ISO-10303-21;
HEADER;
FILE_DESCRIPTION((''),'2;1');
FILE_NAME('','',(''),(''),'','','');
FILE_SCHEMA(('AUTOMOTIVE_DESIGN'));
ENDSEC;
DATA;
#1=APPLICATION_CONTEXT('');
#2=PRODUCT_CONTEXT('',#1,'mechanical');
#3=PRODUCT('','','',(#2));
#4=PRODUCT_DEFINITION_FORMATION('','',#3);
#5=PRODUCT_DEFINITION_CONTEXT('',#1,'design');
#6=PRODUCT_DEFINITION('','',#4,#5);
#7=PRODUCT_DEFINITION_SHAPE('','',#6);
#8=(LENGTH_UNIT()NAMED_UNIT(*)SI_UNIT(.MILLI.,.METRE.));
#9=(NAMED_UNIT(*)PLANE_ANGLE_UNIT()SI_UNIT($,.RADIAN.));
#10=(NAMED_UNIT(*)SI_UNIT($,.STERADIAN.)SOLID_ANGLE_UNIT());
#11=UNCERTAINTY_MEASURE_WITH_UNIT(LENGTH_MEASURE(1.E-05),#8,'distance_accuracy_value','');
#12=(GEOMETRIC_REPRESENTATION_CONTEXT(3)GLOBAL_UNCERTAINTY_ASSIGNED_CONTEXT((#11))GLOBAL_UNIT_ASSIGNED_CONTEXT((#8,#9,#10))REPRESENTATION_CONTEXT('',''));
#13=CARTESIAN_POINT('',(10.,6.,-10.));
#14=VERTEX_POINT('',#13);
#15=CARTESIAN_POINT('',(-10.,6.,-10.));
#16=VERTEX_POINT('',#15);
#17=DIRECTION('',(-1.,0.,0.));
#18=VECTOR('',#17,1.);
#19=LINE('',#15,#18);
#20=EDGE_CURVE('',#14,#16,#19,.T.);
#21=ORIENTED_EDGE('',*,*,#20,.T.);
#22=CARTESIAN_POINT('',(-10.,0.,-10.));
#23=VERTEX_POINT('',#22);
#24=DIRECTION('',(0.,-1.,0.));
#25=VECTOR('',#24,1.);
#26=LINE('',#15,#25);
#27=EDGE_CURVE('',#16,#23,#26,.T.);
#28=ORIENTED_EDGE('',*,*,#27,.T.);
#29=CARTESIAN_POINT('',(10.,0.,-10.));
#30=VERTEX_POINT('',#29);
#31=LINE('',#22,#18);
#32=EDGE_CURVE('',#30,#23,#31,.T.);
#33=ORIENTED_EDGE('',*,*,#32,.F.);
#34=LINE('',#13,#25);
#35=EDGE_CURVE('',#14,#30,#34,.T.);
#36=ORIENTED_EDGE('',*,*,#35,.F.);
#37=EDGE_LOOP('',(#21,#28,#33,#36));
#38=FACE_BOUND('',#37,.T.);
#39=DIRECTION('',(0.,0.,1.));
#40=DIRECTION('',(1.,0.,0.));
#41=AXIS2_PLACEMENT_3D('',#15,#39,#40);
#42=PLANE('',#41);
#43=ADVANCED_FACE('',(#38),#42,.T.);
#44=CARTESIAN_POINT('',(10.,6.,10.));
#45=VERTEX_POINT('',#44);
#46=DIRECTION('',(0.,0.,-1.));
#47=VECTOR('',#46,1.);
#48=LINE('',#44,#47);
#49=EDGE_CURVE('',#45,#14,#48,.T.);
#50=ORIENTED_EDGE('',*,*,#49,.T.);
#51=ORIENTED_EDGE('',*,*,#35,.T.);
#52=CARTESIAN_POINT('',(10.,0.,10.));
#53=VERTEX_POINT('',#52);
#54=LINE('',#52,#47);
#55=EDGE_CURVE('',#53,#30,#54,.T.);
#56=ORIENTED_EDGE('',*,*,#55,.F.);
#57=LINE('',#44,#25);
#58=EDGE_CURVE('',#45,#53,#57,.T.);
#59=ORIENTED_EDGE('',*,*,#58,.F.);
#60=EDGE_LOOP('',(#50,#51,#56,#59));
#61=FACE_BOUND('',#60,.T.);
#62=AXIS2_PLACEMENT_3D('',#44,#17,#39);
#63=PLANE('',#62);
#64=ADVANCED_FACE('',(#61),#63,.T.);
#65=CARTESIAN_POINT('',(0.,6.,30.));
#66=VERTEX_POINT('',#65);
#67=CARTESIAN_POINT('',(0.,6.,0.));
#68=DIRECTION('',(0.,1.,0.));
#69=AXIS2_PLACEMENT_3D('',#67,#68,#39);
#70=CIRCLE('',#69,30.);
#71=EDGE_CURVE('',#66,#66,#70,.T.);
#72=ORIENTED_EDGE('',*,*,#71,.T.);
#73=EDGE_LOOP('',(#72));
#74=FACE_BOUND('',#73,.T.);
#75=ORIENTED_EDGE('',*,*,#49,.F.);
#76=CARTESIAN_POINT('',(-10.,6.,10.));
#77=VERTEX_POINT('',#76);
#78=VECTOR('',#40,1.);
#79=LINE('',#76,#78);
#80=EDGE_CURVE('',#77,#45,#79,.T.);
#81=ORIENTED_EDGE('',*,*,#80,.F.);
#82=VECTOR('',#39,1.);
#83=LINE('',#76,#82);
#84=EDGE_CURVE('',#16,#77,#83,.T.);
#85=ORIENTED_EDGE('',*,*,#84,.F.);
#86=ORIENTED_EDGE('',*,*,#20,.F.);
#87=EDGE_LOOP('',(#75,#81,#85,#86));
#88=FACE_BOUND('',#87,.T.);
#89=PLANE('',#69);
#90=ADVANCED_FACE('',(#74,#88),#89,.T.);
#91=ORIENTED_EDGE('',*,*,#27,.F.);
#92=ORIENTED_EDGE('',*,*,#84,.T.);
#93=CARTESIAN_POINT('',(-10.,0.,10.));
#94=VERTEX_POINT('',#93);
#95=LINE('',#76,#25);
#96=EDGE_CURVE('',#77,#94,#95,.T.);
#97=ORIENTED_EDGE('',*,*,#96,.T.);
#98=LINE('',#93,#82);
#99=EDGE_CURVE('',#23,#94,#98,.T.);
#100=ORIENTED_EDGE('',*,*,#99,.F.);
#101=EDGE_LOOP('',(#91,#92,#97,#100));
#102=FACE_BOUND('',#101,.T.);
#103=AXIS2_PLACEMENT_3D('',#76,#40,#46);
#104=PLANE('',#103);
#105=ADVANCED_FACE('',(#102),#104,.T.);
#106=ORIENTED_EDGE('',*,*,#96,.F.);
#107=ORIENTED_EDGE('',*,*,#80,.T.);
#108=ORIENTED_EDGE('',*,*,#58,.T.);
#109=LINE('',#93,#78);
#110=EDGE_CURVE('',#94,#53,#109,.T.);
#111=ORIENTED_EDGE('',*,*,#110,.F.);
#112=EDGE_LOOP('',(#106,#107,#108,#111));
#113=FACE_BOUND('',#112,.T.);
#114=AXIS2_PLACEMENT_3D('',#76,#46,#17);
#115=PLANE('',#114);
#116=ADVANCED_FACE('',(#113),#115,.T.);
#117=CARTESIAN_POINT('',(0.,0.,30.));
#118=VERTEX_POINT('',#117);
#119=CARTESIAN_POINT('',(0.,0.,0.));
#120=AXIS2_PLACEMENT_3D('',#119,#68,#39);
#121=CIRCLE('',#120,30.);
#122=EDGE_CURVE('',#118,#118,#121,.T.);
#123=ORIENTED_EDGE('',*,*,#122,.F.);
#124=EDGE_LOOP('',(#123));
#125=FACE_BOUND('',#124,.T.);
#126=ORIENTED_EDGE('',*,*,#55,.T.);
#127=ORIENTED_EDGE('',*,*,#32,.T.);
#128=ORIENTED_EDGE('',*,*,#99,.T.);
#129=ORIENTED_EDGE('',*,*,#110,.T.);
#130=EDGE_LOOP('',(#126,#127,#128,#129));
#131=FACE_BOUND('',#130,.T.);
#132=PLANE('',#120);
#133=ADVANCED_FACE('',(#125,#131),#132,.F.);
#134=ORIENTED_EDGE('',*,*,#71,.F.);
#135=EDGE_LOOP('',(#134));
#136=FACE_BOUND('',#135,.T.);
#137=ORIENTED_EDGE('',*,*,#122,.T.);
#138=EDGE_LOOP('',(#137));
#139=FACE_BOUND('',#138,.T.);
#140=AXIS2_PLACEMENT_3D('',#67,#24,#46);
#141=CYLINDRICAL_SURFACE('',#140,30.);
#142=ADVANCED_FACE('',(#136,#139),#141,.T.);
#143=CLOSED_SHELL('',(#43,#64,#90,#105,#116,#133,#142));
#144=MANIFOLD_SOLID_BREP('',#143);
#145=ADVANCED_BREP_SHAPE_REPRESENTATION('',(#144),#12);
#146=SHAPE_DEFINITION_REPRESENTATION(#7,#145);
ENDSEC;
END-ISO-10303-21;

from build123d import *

# Parameters (mm, degrees)
SKETCH1_R           = 30
SKETCH1_W           = 20
SKETCH1_H           = 20
BOSS_EXTRUDE1_DEPTH = 6


with BuildPart() as part:
    # Sketch1 → Boss-Extrude1 (new body)
    with BuildSketch(Plane(origin=(0, 0, 0), x_dir=(1, 0, 0), z_dir=(0, 1, 0))):
        Circle(SKETCH1_R)
        Rectangle(SKETCH1_W, SKETCH1_H, mode=Mode.SUBTRACT)
    extrude(amount=BOSS_EXTRUDE1_DEPTH)


solid = part.part
